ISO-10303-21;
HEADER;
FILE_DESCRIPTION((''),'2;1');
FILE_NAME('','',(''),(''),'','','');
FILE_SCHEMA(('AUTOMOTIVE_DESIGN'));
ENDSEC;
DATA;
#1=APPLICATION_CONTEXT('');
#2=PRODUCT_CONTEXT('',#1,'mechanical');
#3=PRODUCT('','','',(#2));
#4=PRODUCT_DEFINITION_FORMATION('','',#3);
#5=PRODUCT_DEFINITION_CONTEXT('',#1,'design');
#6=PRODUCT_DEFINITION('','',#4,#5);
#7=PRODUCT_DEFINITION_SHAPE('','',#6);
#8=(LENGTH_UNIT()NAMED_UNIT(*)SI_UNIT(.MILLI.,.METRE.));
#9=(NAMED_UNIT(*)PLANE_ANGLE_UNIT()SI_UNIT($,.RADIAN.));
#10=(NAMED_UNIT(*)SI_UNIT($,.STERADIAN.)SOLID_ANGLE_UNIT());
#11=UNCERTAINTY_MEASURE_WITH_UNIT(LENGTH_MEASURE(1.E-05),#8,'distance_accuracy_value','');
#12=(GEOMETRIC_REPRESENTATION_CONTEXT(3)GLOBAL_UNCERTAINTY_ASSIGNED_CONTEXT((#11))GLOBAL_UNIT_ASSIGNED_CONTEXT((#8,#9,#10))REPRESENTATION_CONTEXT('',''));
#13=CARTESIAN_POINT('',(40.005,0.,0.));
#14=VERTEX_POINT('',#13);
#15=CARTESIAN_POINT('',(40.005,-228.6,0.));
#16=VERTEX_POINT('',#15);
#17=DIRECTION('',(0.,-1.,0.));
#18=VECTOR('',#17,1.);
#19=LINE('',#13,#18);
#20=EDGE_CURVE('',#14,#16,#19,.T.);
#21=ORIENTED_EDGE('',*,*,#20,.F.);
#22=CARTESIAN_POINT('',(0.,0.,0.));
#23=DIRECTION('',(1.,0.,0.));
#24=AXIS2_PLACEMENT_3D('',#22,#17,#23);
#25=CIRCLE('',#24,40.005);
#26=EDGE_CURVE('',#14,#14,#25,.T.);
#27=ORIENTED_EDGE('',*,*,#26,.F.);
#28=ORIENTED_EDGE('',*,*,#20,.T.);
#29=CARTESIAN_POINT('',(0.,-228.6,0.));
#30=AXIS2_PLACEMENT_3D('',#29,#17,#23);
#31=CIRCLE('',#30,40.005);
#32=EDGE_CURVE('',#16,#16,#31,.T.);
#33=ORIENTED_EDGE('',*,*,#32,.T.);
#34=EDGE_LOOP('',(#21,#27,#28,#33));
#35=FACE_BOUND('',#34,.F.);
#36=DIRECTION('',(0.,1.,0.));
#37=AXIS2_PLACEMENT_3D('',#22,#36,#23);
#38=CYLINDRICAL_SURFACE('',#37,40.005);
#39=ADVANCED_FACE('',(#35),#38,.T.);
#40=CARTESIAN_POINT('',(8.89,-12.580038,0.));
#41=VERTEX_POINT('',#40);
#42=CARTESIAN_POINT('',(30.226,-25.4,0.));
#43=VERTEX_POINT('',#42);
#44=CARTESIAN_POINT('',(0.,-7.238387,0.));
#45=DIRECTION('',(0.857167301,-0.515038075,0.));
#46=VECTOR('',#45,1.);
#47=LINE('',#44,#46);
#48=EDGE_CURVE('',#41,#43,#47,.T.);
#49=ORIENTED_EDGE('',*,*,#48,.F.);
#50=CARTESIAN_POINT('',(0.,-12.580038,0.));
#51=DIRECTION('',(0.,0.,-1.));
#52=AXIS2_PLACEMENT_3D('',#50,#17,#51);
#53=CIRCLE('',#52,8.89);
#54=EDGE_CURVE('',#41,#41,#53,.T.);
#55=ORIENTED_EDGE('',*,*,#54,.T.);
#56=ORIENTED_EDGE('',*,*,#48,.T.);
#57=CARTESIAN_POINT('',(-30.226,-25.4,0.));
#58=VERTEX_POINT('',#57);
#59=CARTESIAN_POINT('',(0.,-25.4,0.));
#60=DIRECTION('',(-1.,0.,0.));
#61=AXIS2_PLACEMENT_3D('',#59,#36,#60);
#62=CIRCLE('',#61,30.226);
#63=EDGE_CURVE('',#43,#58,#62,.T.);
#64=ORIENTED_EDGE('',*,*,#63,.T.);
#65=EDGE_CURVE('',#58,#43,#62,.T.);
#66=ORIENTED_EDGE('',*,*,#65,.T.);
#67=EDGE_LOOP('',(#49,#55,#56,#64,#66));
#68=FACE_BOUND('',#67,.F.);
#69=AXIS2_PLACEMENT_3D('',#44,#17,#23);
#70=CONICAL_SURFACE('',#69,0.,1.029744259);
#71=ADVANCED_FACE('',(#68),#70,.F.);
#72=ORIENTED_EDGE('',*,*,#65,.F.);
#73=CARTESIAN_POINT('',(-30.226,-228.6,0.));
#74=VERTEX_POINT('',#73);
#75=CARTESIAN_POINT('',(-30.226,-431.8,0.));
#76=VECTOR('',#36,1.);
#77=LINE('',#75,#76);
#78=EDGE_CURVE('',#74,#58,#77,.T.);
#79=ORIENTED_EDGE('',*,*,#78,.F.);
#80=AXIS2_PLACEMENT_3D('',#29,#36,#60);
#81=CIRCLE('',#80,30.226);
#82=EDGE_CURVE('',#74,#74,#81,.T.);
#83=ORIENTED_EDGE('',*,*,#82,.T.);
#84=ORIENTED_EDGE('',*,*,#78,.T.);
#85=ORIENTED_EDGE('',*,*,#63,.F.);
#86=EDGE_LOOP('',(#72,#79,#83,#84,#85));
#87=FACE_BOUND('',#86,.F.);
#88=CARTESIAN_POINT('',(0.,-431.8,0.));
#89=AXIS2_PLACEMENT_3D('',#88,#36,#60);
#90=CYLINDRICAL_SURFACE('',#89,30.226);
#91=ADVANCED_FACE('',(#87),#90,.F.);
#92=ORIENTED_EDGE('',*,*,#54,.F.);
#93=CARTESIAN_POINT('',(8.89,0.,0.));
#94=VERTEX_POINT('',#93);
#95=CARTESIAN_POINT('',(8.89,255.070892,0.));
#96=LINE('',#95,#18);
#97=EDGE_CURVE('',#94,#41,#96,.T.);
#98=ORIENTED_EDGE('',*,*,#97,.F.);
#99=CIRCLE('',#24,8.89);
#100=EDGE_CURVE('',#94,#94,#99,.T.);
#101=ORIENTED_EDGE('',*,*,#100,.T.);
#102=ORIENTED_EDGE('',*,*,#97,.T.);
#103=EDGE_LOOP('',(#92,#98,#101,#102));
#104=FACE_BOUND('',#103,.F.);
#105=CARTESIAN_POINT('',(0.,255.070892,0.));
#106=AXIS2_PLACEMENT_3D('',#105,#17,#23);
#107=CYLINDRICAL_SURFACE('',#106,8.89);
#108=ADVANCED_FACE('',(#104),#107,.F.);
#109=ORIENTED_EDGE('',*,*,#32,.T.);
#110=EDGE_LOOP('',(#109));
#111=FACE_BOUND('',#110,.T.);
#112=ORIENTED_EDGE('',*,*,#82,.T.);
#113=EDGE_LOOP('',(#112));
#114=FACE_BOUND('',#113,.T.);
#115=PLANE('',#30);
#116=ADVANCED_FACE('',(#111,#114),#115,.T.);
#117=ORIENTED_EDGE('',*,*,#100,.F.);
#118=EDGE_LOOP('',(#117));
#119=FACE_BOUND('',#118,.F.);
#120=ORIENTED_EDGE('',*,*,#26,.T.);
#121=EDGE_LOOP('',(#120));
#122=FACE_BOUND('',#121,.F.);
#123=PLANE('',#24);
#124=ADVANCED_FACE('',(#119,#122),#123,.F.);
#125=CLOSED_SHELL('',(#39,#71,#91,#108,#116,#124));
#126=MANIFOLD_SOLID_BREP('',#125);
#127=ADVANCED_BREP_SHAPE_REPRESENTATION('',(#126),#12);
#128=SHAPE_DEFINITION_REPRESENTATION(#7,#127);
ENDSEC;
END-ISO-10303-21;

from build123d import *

# Parameters (mm, degrees)
F0_R     = 40.005
F1_DEPTH = 228.6
F3_D     = 60.452
F3_DEPTH = 203.2
F3_TIP   = 18.1616130707
F5_D     = 17.78


with BuildPart() as f1:
    # F0 (on Front) → F1 (new body)
    with BuildSketch(Plane.XZ):
        Circle(F0_R)
    extrude(amount=F1_DEPTH)

    # F3
    with Locations(Plane.XZ.offset(228.6)):
        with Locations((0, 0)):
            Hole(F3_D / 2, depth=F3_DEPTH)
            with Locations((0, 0, -(F3_DEPTH + F3_TIP / 2))):  # 118° drill point
                Cone(0, F3_D / 2, F3_TIP, mode=Mode.SUBTRACT)

    # F5 (through all)
    with Locations(Plane(origin=(0, 0, 0), x_dir=(-1, 0, 0), z_dir=(0, 1, 0))):
        with Locations((0, 0)):
            Hole(F5_D / 2)


solid = f1.part
